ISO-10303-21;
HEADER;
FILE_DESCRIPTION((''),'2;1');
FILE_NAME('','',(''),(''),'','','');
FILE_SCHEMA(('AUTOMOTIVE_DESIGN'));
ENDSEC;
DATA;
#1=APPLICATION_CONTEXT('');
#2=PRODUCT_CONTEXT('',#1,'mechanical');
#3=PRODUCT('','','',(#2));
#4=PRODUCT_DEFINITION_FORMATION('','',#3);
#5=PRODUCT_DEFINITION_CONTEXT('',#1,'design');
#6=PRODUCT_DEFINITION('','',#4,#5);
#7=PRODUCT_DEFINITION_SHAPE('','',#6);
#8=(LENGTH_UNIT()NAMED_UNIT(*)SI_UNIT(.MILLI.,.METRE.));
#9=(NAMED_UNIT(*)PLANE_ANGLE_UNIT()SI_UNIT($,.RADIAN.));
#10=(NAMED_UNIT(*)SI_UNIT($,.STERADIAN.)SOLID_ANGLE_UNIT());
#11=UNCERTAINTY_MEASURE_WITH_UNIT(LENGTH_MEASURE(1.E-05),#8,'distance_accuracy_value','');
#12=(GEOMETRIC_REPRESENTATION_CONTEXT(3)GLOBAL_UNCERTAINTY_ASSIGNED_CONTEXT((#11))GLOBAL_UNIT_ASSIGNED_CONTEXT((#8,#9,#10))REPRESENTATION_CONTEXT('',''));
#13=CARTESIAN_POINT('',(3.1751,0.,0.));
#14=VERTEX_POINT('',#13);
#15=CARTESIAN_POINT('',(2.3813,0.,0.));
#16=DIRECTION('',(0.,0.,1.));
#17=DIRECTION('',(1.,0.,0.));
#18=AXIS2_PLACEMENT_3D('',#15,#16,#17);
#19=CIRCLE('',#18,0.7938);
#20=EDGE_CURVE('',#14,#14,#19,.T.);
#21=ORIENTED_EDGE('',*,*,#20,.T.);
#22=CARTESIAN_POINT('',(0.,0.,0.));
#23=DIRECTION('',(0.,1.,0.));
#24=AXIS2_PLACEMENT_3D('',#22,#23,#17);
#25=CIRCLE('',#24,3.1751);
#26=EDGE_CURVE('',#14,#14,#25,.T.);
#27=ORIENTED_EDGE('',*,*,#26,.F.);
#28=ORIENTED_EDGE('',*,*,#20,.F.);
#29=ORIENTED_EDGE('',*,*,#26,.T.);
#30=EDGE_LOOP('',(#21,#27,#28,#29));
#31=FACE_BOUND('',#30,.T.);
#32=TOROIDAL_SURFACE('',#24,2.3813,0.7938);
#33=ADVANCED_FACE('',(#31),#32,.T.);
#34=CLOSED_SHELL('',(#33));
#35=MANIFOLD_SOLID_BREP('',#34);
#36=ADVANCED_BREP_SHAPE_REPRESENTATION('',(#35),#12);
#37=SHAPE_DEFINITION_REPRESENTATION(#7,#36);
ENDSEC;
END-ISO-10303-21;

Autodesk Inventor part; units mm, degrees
ref_plane "YZ Plane" through (0, 0, 0) normal (1, 0, 0) x (0, 1, 0)
sketch "Sketch1" plane through (0, 0, 0) normal (0, 0, 1) x (1, 0, 0)
  circle A0 centre (2.3813, 0) radius 0.7938
  line L0 (0, -0.5953) -> (0, 0.5953)
  line L1 (0, 0) -> (2.3813, 0) construction
  dimension "d0" = 1.5875
  dimension "d1" = 2.3813
revolve "Revolution1" add sketch "Sketch1" angle 360 about axis through (0, -0.5953, 0) along (0, 1, 0)
ref_plane "Work Plane1" through (0, 0.7937, 0) normal (0, 1, 0) x (-1, 0, 0)
ref_plane "Work Plane2" through (0, -0.7937, 0) normal (0, 1, 0) x (-1, 0, 0)
properties part number "O-Ring"
